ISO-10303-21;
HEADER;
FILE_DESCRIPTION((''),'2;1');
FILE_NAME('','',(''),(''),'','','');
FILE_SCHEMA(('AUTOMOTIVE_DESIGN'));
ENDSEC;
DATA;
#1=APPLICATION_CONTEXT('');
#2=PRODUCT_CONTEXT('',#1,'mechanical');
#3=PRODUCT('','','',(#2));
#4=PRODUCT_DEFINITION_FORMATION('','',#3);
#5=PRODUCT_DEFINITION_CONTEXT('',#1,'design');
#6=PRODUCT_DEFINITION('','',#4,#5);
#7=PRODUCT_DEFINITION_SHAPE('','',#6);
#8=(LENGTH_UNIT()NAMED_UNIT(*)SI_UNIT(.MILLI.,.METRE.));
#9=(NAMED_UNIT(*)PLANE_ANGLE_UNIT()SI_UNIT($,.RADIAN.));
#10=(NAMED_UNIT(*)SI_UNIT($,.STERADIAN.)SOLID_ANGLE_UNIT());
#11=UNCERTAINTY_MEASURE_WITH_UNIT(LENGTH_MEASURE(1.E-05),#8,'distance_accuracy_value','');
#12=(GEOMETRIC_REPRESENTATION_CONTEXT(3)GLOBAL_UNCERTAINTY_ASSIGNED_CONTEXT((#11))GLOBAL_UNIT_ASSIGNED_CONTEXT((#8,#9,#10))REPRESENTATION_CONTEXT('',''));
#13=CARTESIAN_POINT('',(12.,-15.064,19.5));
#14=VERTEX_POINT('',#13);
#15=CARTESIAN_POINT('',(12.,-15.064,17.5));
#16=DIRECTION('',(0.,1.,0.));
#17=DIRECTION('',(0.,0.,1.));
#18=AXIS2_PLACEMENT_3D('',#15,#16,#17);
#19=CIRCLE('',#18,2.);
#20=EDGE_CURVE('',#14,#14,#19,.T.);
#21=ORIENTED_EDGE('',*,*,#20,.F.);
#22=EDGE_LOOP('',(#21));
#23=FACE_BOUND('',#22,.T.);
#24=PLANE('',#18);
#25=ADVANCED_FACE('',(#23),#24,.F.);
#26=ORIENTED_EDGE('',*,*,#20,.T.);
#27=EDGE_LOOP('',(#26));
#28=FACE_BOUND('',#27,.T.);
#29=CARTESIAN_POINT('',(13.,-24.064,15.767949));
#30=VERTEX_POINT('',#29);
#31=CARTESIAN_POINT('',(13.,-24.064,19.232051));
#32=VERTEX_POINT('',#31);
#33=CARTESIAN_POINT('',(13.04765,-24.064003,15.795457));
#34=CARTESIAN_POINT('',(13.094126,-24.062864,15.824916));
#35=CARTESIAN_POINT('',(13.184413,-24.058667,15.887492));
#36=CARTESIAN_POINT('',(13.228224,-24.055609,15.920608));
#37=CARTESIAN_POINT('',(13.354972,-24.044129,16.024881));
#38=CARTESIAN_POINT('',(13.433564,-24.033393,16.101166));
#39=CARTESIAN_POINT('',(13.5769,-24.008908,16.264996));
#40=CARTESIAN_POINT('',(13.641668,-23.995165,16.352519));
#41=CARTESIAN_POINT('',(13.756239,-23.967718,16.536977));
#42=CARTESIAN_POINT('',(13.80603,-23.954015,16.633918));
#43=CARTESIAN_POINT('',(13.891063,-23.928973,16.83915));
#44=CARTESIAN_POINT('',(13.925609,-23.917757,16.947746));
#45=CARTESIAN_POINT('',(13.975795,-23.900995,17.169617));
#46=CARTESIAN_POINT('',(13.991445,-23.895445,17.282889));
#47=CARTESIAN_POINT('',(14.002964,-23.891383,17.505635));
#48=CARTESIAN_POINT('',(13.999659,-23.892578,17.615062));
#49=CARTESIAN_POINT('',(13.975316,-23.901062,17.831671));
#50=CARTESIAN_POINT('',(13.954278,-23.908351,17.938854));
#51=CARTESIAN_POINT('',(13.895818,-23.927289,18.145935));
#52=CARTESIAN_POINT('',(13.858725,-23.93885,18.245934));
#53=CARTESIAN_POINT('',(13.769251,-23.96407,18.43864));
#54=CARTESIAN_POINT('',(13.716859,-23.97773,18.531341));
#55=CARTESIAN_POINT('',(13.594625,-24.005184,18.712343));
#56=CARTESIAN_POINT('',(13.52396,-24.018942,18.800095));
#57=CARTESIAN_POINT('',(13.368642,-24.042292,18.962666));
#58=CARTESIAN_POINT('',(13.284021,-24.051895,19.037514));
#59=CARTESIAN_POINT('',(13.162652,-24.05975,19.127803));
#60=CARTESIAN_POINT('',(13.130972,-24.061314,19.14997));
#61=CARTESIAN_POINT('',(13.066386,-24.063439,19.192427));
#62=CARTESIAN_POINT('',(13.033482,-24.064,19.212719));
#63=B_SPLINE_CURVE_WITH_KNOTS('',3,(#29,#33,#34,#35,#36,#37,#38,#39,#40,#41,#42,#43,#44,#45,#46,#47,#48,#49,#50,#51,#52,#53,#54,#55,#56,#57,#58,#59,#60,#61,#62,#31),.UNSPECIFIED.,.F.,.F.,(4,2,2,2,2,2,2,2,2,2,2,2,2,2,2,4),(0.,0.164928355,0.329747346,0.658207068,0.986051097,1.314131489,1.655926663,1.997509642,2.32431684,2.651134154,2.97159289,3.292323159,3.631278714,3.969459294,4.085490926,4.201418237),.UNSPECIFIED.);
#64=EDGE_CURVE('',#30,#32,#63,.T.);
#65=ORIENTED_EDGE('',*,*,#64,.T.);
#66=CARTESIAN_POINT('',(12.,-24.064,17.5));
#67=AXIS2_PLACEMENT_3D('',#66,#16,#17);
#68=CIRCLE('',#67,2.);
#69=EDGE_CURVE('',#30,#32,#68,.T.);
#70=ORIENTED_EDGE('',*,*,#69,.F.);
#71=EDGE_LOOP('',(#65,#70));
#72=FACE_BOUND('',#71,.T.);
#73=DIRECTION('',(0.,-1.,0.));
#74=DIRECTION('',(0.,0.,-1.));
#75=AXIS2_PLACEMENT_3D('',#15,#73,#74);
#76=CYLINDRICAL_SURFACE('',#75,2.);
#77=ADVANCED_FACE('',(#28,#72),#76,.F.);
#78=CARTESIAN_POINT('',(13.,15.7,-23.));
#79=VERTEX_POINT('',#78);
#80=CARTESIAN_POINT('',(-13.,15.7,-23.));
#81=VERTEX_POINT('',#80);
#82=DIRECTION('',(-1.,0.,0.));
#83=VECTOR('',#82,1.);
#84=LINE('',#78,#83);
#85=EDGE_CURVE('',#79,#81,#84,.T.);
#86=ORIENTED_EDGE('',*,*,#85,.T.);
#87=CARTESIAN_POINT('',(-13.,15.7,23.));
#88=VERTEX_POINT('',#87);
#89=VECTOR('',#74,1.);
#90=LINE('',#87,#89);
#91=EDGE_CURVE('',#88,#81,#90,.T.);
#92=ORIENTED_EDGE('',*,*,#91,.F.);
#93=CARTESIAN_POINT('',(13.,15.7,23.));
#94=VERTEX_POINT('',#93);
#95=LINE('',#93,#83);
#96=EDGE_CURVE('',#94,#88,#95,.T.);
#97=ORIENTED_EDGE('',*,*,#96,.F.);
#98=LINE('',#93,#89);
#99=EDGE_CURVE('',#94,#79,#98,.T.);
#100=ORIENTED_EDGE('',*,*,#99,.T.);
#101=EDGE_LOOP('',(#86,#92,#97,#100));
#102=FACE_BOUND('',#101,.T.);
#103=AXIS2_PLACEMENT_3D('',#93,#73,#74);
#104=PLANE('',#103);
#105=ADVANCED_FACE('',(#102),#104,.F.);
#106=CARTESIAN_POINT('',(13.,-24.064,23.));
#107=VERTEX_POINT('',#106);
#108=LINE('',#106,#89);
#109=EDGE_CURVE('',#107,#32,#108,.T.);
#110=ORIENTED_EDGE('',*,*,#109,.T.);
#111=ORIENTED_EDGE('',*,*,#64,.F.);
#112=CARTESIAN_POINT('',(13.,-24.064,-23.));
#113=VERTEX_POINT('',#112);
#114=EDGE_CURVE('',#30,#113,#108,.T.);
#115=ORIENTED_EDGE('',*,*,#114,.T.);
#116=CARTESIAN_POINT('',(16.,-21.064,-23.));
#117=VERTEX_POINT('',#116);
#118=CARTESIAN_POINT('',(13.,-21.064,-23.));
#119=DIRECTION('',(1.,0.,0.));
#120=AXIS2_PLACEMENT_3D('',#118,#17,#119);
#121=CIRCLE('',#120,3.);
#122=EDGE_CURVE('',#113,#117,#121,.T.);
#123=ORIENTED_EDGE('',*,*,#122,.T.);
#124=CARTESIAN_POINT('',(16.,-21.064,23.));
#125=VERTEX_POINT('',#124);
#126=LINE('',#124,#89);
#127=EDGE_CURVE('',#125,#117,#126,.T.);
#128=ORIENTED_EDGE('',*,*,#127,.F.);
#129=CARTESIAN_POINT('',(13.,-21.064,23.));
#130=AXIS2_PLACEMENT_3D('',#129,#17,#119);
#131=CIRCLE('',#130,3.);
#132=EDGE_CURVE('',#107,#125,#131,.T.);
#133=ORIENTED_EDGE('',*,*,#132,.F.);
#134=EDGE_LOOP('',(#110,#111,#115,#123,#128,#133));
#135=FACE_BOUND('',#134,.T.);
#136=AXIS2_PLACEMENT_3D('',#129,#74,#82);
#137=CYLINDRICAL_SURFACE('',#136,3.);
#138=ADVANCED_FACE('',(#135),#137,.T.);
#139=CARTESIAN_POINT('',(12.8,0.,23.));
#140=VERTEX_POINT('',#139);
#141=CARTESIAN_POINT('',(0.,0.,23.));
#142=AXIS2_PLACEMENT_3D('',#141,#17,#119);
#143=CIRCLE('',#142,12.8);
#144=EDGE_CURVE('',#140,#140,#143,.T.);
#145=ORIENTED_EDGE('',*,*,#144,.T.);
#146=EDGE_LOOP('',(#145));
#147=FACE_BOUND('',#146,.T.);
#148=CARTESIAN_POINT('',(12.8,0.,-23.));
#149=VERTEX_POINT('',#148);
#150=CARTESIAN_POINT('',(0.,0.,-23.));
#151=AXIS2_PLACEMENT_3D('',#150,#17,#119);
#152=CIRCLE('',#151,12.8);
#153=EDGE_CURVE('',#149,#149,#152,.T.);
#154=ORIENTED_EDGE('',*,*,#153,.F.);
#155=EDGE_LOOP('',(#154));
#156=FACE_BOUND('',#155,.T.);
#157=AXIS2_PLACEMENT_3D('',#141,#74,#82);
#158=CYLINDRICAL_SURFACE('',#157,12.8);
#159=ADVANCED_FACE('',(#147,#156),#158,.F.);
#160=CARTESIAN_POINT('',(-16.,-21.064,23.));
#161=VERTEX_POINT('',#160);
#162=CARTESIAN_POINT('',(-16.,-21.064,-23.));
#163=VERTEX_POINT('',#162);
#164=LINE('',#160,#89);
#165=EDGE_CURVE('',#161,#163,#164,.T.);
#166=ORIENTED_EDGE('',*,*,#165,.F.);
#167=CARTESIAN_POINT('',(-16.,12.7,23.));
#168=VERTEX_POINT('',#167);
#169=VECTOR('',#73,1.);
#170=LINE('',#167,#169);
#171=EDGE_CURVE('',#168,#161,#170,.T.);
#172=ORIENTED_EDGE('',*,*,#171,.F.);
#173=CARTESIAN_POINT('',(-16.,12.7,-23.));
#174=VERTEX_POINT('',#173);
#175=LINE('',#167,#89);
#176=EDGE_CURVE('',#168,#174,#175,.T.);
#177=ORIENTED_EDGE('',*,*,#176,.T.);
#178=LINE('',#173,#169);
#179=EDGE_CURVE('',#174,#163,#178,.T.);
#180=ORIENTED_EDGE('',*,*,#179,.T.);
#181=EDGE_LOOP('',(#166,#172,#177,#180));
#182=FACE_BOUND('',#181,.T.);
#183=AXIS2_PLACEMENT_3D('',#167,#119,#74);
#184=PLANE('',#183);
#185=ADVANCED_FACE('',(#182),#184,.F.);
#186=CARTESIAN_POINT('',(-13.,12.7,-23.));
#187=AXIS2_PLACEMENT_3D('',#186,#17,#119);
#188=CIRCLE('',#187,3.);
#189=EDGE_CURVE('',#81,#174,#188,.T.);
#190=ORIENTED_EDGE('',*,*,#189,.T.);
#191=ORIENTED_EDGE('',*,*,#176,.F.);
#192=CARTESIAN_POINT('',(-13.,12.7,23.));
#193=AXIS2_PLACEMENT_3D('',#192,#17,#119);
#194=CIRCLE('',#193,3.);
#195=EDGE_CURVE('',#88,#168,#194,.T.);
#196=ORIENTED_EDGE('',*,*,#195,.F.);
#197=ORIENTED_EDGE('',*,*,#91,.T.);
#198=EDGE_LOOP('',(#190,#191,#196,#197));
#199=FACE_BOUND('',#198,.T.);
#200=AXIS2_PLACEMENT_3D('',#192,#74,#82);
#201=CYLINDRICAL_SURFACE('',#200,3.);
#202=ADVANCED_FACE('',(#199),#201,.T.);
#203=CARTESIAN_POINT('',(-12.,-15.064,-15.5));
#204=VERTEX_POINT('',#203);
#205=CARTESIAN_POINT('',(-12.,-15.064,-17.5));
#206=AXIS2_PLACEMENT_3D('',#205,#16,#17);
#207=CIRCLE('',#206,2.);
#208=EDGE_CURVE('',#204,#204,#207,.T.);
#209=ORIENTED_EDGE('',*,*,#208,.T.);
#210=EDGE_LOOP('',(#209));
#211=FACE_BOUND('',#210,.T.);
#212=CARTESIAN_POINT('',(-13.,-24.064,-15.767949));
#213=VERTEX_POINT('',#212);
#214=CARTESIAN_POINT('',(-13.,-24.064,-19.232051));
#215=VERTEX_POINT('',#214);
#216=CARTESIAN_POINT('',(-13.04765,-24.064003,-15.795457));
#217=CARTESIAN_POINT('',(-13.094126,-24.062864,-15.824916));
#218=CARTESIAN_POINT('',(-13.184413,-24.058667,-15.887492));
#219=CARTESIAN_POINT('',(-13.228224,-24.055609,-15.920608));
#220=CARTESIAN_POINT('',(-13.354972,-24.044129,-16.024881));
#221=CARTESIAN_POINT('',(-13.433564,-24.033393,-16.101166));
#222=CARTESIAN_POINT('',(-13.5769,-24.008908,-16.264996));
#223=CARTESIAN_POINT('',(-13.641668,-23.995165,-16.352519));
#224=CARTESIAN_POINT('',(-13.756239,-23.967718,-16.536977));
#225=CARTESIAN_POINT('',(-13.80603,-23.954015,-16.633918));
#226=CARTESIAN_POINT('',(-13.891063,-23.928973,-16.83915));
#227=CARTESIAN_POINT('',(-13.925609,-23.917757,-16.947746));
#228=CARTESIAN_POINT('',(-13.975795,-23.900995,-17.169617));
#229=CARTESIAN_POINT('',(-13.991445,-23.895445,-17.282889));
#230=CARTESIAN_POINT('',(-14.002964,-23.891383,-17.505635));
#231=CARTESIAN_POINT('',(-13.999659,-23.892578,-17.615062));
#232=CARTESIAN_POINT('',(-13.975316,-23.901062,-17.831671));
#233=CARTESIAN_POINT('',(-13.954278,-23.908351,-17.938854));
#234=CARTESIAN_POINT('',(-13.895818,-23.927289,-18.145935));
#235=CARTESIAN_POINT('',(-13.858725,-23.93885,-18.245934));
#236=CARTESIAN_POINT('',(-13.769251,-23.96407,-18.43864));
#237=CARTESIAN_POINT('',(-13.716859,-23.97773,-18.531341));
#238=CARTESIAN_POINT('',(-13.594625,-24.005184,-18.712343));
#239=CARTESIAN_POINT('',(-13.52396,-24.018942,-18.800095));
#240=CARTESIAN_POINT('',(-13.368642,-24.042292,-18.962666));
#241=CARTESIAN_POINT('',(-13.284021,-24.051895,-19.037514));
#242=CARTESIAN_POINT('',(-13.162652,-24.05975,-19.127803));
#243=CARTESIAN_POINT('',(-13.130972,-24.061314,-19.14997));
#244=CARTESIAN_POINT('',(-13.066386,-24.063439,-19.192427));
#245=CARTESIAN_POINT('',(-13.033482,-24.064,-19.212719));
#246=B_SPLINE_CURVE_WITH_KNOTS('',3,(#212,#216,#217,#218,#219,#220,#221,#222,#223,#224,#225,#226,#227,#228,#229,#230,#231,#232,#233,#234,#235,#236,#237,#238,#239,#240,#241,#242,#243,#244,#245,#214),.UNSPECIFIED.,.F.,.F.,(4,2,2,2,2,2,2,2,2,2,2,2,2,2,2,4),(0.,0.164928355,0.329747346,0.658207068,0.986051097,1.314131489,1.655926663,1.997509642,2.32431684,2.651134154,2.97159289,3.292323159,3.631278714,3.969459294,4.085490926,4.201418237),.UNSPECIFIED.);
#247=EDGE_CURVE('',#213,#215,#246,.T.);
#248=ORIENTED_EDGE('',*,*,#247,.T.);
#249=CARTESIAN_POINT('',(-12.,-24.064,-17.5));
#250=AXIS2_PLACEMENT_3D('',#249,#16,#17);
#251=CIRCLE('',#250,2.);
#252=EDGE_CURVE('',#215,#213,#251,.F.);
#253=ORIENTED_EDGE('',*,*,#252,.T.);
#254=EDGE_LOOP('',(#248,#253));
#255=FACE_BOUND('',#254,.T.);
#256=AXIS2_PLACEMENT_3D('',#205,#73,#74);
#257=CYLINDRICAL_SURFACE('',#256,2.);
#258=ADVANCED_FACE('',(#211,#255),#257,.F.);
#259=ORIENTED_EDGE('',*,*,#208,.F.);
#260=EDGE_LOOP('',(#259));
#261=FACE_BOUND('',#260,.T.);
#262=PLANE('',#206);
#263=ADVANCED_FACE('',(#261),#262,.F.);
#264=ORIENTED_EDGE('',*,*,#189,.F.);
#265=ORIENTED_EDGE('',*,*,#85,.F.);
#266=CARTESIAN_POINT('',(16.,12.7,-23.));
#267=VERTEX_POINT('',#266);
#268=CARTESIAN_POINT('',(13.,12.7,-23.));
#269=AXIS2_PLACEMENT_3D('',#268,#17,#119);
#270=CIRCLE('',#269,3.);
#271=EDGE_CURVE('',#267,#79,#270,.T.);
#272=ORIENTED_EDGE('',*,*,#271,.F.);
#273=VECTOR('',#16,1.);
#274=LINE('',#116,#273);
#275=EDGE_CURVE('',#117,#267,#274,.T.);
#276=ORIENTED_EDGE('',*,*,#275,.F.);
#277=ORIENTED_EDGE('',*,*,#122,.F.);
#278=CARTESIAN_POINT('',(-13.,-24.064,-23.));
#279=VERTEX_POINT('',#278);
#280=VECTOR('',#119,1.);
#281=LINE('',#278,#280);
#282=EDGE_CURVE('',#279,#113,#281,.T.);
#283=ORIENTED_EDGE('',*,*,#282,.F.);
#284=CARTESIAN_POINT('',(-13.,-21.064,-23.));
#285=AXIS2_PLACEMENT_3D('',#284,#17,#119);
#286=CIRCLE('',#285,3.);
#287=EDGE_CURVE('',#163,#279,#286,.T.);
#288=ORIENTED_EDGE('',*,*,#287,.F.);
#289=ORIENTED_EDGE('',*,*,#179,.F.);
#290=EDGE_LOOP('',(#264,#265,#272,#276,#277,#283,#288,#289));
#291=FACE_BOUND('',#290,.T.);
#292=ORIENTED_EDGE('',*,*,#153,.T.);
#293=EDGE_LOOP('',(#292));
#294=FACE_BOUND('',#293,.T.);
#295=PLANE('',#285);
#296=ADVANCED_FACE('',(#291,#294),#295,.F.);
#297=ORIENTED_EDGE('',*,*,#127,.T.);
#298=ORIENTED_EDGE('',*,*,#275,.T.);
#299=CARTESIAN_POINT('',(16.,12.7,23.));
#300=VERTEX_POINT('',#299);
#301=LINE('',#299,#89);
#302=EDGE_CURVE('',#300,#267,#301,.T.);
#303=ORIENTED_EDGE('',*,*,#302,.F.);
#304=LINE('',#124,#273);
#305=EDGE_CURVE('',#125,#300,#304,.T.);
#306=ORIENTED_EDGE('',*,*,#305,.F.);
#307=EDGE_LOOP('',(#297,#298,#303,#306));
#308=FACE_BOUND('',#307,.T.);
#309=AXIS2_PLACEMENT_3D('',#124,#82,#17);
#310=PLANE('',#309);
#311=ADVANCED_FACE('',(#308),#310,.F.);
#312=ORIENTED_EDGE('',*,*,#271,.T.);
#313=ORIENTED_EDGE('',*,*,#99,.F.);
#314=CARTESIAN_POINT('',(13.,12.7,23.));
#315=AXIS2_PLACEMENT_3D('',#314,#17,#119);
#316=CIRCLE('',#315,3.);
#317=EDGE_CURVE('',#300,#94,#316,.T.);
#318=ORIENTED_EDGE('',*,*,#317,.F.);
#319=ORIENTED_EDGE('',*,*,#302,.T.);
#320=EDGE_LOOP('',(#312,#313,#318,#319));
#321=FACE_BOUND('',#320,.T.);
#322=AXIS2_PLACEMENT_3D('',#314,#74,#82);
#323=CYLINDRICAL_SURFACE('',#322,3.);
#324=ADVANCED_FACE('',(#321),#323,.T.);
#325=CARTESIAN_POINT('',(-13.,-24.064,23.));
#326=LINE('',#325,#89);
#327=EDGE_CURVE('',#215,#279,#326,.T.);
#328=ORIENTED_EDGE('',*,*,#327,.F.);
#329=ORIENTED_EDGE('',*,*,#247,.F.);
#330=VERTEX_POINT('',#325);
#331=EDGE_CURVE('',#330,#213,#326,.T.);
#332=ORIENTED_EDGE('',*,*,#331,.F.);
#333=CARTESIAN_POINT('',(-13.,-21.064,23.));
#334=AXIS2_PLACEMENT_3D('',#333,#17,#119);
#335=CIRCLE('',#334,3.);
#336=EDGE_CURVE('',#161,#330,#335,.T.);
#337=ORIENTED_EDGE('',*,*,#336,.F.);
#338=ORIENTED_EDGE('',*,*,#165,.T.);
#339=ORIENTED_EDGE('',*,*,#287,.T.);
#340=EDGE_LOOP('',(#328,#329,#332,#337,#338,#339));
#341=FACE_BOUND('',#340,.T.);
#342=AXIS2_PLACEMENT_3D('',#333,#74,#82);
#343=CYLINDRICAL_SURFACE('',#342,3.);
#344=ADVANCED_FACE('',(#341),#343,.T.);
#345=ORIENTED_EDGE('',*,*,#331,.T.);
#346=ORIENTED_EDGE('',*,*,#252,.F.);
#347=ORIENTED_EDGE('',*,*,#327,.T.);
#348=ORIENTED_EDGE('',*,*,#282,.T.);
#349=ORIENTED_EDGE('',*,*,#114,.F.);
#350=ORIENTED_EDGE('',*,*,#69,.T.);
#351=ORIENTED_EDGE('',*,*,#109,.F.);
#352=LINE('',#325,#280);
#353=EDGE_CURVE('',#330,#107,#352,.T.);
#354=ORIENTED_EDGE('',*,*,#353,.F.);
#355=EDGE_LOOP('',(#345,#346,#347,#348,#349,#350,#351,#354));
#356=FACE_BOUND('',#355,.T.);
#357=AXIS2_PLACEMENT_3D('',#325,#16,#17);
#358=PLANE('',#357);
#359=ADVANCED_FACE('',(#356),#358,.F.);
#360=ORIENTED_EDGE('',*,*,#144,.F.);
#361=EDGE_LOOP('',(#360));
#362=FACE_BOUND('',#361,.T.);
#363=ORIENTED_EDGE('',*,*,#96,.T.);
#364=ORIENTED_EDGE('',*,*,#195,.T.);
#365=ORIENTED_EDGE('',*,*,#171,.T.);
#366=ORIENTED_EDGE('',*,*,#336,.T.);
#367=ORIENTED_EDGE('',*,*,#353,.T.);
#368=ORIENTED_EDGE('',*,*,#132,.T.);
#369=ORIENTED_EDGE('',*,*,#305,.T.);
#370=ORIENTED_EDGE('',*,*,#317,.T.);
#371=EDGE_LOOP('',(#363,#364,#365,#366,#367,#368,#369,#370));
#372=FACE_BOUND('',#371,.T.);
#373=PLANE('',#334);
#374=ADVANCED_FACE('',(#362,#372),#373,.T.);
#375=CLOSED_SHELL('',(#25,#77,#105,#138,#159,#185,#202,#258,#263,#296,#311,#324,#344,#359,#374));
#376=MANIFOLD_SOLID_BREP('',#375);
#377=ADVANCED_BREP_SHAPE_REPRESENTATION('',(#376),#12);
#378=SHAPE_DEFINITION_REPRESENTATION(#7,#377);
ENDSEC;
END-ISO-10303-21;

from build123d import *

# Parameters (mm, degrees)
SKETCH1_R           = 12.8
BOSS_EXTRUDE1_DEPTH = 23
SKETCH2_R           = 2
CUT_EXTRUDE1_DEPTH  = 9


with BuildPart() as part:
    # Sketch1 → Boss-Extrude1 (new, symmetric)
    with BuildSketch(Plane.XY):
        with BuildLine():
            Line((-13, -24.064), (13, -24.064))
            ThreePointArc((13, -24.064), (15.121320344, -23.185320344), (16, -21.064))
            Line((16, -21.064), (16, 12.7))
            ThreePointArc((16, 12.7), (15.121320344, 14.821320344), (13, 15.7))
            Line((13, 15.7), (-13, 15.7))
            ThreePointArc((-13, 15.7), (-15.121320344, 14.821320344), (-16, 12.7))
            Line((-16, 12.7), (-16, -21.064))
            ThreePointArc((-16, -21.064), (-15.121320344, -23.185320344), (-13, -24.064))
        make_face()
        Circle(SKETCH1_R, mode=Mode.SUBTRACT)
    extrude(amount=BOSS_EXTRUDE1_DEPTH, both=True)

    # Sketch2 → Cut-Extrude1 (cut)
    with BuildSketch(Plane(origin=(0, -24.064, 0), x_dir=(1, 0, 0), z_dir=(0, 1, 0))):
        with Locations(Location((12, -17.5, 0), (0, 0, 60))):
            Circle(SKETCH2_R)
        with Locations(Location((-12, 17.5, 0), (0, 0, 120))):
            Circle(SKETCH2_R)
    extrude(amount=CUT_EXTRUDE1_DEPTH, mode=Mode.SUBTRACT)


solid = part.part
